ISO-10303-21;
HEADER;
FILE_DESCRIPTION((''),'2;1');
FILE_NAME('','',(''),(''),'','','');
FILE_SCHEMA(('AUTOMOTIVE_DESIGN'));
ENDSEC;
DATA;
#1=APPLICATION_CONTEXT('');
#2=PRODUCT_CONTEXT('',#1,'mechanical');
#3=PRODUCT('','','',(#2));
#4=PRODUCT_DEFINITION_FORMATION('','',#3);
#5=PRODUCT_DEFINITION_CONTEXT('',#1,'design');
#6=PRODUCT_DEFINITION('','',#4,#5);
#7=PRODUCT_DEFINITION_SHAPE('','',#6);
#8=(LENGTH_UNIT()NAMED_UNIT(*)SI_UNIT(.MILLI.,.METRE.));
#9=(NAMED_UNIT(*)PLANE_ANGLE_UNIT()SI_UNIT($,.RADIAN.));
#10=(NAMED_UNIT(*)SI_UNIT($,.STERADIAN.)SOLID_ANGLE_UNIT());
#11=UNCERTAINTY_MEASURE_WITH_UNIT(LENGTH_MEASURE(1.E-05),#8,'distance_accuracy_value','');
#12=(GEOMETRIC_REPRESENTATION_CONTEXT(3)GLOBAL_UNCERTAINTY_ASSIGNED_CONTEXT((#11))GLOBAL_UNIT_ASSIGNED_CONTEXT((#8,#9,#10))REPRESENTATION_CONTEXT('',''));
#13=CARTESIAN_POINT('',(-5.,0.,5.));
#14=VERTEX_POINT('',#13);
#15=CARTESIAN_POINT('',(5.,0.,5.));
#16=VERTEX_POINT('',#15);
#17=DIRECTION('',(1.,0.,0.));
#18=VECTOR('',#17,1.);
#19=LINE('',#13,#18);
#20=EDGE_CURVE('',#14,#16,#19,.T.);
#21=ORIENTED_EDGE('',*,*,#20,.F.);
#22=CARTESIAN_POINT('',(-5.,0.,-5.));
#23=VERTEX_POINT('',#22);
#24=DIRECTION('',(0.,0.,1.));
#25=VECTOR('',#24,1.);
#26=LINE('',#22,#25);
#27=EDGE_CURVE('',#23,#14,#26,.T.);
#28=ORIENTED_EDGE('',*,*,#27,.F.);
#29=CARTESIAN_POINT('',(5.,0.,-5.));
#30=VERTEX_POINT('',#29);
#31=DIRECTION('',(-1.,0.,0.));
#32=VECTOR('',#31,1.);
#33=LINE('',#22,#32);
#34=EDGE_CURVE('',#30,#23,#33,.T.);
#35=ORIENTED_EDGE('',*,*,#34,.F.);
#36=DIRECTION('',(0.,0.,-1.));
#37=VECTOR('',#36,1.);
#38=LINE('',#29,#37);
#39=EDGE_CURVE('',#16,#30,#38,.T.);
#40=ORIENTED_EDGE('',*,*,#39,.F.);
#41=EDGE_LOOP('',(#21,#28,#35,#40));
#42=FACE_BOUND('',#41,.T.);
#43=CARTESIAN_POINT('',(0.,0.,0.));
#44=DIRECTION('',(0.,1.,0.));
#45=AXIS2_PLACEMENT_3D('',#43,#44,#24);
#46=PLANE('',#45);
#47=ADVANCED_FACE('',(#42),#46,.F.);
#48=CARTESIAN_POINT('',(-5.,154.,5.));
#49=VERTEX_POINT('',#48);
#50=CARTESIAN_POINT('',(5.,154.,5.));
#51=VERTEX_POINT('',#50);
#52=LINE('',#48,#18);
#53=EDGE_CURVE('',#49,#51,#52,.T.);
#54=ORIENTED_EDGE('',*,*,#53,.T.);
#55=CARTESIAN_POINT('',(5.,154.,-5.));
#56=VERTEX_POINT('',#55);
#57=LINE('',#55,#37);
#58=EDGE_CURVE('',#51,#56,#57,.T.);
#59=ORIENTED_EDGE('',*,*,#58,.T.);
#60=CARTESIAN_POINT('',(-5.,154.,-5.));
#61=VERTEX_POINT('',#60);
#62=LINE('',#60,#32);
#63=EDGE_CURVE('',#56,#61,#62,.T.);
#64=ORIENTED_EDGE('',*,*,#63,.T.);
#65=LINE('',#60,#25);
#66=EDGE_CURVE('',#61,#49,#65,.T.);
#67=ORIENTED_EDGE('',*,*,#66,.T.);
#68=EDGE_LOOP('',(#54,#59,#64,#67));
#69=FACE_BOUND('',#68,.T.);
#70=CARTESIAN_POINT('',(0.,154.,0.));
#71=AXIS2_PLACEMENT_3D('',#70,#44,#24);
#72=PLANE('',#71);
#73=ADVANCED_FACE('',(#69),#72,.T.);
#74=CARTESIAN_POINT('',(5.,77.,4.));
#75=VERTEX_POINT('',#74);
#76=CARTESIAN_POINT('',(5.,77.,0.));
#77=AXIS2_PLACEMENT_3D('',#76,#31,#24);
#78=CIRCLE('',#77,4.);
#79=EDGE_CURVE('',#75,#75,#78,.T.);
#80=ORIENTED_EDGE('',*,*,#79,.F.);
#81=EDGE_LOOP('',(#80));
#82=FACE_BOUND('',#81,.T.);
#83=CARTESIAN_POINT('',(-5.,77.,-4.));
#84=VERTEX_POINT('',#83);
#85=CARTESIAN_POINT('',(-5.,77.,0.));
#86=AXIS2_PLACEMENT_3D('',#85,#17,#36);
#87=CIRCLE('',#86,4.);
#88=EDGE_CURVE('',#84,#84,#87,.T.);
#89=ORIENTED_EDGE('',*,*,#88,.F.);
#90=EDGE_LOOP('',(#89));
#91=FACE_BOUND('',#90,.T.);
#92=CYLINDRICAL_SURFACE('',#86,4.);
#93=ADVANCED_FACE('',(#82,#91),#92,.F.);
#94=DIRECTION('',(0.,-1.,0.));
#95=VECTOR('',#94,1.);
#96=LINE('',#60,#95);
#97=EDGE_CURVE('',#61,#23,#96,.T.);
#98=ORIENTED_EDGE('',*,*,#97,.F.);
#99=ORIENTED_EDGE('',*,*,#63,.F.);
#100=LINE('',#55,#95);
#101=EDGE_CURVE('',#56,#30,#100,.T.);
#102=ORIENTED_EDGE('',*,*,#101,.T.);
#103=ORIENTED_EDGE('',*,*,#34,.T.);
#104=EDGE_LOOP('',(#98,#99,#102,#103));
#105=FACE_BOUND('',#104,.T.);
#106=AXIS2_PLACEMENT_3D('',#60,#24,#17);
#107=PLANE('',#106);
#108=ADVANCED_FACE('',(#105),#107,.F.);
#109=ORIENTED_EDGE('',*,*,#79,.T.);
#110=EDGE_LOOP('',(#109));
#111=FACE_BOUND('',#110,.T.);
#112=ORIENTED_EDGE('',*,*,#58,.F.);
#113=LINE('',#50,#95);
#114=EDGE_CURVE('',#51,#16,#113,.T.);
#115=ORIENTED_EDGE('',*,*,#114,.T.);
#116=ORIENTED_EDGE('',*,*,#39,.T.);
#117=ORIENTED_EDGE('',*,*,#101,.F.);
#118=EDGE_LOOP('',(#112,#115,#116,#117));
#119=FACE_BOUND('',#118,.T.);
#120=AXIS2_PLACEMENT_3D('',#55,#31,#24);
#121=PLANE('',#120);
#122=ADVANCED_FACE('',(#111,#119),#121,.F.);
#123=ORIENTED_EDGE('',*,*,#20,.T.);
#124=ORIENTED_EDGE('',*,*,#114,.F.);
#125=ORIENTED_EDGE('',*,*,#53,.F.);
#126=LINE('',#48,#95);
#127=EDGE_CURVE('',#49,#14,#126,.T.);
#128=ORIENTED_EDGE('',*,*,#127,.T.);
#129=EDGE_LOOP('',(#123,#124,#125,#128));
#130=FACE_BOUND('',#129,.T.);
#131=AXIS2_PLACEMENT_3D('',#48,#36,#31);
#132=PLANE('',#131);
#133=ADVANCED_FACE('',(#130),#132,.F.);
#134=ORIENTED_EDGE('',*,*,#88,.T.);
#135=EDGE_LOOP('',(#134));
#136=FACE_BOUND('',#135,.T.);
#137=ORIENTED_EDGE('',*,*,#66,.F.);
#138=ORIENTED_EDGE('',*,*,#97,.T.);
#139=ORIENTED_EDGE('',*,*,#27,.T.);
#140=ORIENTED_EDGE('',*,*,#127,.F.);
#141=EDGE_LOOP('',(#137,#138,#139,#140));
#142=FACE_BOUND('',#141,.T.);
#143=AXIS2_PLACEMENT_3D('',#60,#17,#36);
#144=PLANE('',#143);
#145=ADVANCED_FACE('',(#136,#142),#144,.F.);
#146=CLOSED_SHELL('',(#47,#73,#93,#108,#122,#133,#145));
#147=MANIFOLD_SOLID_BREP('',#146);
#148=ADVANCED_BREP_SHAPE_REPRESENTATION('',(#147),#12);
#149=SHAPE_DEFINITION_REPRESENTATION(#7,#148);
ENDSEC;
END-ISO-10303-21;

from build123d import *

# Parameters (mm, degrees)
SKETCH1_W               = 10
SKETCH1_H               = 10
BOSS_EXTRUDE1_DEPTH     = 154
CUT_EXTRUDE1_DEPTH      = 155.405310789
CUT_EXTRUDE1_DEPTH_BACK = 155.405310789
SKETCH2_R               = 4


with BuildPart() as part:
    # Sketch1 → Boss-Extrude1 (new body)
    with BuildSketch(Plane(origin=(0, 0, 0), x_dir=(1, 0, 0), z_dir=(0, 1, 0))):
        Rectangle(SKETCH1_W, SKETCH1_H)
    extrude(amount=BOSS_EXTRUDE1_DEPTH)

    # Sketch2 → Cut-Extrude1 (cut, two sides: drawn at the far end of the back side and taken through both)
    with BuildSketch(Plane(origin=(5, 0, 0), x_dir=(0, 0, -1), z_dir=(1, 0, 0)).offset(-CUT_EXTRUDE1_DEPTH_BACK)):
        with Locations((0, 77)):
            Circle(SKETCH2_R)
    extrude(amount=CUT_EXTRUDE1_DEPTH + CUT_EXTRUDE1_DEPTH_BACK, mode=Mode.SUBTRACT)


solid = part.part
